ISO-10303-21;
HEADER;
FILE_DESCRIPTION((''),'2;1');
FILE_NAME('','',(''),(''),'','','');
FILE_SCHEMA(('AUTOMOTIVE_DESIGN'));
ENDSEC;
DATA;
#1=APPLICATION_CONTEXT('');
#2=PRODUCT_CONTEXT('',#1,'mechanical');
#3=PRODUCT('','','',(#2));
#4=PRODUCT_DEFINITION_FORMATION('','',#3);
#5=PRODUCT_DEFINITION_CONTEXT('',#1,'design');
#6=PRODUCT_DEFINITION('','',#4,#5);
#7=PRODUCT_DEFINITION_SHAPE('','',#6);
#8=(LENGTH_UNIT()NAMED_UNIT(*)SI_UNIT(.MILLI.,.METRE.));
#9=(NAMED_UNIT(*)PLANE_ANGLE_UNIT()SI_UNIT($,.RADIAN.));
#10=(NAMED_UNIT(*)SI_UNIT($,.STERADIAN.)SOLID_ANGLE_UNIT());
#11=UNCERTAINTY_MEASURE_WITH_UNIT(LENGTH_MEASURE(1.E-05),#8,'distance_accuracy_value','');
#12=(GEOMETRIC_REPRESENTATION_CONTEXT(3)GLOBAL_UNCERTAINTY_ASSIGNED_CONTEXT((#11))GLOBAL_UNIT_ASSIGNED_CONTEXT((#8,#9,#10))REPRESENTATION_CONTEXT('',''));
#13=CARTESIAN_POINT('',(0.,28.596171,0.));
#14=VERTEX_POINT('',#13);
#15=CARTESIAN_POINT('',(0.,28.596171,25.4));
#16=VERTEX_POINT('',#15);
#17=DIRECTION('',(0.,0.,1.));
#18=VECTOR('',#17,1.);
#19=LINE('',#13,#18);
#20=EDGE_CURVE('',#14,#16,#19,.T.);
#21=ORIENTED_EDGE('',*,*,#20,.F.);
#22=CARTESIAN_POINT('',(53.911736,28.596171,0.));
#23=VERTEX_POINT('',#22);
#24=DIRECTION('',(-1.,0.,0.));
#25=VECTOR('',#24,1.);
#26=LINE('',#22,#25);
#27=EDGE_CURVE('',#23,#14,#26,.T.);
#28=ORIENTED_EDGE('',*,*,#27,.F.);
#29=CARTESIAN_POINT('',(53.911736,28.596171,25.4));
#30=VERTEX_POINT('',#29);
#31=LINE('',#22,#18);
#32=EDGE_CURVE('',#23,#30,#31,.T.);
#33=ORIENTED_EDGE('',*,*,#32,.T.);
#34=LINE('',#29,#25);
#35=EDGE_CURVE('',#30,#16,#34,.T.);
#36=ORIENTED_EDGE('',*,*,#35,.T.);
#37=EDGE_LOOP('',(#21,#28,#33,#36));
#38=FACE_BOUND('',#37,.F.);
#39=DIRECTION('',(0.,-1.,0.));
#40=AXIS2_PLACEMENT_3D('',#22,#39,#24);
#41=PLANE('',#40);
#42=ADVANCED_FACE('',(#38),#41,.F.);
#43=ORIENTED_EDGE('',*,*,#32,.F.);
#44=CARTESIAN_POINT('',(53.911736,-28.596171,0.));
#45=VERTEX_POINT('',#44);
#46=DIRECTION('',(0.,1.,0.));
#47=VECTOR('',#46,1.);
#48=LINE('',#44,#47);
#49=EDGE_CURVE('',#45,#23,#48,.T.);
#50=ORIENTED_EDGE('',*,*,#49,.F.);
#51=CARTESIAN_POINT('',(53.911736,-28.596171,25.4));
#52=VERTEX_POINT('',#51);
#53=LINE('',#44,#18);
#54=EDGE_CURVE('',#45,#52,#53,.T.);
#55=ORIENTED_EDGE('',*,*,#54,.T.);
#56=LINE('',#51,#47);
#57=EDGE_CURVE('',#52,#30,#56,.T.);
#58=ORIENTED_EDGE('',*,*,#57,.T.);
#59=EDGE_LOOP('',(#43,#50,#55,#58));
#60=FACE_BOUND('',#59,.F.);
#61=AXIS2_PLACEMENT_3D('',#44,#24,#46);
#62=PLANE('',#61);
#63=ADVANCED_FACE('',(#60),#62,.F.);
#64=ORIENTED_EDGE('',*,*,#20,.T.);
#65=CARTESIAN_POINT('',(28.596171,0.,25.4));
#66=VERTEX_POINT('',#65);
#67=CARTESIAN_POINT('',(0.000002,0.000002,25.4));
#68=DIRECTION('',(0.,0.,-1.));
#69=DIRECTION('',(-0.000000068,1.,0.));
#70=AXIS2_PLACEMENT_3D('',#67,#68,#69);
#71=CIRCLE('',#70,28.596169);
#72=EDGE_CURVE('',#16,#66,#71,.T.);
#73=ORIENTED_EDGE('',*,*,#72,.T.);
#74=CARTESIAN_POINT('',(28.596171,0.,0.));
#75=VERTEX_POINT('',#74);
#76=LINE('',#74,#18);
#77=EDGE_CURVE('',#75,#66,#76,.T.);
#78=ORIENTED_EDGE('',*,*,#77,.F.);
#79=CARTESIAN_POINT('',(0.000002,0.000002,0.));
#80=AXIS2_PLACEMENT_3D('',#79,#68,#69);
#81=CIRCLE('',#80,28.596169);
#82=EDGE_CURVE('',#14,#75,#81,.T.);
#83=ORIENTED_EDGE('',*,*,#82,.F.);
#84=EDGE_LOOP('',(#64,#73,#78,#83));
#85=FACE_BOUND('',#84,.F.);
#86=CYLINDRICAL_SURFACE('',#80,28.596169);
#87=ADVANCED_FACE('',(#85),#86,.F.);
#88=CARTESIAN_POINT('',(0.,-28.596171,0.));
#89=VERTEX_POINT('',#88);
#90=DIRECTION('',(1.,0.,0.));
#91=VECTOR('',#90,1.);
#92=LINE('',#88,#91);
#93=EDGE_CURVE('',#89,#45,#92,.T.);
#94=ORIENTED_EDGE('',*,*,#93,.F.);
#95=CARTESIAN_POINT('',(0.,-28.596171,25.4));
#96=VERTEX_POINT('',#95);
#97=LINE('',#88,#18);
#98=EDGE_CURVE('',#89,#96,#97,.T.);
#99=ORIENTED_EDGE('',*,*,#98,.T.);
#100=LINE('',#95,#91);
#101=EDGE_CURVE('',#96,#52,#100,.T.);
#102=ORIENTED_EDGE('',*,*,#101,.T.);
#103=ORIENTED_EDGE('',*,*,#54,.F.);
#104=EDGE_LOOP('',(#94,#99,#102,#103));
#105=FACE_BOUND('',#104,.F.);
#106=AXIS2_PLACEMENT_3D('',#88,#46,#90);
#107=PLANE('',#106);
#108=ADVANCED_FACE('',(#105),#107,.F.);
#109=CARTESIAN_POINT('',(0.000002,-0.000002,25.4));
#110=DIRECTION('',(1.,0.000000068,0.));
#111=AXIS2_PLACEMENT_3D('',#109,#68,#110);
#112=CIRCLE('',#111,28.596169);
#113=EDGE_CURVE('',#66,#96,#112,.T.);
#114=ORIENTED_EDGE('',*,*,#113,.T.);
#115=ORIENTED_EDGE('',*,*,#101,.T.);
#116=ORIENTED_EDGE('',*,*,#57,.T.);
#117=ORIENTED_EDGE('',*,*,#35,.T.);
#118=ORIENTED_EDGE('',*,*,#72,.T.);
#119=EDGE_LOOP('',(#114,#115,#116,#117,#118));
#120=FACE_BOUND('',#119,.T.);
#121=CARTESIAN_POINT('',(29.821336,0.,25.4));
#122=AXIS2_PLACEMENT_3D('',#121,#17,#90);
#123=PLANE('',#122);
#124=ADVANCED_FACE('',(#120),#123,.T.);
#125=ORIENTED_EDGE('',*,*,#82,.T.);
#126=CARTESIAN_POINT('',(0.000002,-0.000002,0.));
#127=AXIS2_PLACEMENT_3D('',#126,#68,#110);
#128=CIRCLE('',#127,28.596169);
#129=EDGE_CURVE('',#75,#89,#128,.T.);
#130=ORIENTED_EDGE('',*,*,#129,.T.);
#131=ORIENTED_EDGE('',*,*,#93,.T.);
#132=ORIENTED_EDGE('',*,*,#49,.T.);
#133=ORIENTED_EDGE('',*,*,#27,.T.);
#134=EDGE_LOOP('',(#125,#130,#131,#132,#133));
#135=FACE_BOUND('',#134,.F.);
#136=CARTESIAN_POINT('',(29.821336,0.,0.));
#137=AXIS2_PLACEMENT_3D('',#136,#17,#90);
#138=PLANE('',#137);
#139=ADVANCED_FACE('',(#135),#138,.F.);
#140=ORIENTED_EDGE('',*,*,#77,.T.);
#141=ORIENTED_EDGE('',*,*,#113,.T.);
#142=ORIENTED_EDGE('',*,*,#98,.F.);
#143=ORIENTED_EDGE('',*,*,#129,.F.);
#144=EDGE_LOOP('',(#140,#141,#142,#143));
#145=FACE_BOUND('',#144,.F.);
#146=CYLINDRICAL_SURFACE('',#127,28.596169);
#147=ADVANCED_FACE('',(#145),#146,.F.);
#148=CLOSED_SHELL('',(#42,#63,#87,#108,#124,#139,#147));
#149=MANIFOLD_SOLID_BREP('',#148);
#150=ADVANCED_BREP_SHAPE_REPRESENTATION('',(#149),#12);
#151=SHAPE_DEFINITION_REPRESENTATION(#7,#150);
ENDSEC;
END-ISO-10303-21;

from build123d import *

# Parameters (mm, degrees)
F1_DEPTH = 25.4


with BuildPart() as f1:
    # F0 (on Top) → F1 (new body)
    with BuildSketch(Plane.XY):
        with BuildLine():
            ThreePointArc((0, 28.596171), (20.220547, 20.220547), (28.596171, 0))
            ThreePointArc((28.596171, 0), (20.220547, -20.220547), (0, -28.596171))
            Line((0, -28.596171), (53.911736, -28.596171))
            Line((53.911736, -28.596171), (53.911736, 28.596171))
            Line((53.911736, 28.596171), (0, 28.596171))
        make_face()
    extrude(amount=F1_DEPTH)


solid = f1.part
